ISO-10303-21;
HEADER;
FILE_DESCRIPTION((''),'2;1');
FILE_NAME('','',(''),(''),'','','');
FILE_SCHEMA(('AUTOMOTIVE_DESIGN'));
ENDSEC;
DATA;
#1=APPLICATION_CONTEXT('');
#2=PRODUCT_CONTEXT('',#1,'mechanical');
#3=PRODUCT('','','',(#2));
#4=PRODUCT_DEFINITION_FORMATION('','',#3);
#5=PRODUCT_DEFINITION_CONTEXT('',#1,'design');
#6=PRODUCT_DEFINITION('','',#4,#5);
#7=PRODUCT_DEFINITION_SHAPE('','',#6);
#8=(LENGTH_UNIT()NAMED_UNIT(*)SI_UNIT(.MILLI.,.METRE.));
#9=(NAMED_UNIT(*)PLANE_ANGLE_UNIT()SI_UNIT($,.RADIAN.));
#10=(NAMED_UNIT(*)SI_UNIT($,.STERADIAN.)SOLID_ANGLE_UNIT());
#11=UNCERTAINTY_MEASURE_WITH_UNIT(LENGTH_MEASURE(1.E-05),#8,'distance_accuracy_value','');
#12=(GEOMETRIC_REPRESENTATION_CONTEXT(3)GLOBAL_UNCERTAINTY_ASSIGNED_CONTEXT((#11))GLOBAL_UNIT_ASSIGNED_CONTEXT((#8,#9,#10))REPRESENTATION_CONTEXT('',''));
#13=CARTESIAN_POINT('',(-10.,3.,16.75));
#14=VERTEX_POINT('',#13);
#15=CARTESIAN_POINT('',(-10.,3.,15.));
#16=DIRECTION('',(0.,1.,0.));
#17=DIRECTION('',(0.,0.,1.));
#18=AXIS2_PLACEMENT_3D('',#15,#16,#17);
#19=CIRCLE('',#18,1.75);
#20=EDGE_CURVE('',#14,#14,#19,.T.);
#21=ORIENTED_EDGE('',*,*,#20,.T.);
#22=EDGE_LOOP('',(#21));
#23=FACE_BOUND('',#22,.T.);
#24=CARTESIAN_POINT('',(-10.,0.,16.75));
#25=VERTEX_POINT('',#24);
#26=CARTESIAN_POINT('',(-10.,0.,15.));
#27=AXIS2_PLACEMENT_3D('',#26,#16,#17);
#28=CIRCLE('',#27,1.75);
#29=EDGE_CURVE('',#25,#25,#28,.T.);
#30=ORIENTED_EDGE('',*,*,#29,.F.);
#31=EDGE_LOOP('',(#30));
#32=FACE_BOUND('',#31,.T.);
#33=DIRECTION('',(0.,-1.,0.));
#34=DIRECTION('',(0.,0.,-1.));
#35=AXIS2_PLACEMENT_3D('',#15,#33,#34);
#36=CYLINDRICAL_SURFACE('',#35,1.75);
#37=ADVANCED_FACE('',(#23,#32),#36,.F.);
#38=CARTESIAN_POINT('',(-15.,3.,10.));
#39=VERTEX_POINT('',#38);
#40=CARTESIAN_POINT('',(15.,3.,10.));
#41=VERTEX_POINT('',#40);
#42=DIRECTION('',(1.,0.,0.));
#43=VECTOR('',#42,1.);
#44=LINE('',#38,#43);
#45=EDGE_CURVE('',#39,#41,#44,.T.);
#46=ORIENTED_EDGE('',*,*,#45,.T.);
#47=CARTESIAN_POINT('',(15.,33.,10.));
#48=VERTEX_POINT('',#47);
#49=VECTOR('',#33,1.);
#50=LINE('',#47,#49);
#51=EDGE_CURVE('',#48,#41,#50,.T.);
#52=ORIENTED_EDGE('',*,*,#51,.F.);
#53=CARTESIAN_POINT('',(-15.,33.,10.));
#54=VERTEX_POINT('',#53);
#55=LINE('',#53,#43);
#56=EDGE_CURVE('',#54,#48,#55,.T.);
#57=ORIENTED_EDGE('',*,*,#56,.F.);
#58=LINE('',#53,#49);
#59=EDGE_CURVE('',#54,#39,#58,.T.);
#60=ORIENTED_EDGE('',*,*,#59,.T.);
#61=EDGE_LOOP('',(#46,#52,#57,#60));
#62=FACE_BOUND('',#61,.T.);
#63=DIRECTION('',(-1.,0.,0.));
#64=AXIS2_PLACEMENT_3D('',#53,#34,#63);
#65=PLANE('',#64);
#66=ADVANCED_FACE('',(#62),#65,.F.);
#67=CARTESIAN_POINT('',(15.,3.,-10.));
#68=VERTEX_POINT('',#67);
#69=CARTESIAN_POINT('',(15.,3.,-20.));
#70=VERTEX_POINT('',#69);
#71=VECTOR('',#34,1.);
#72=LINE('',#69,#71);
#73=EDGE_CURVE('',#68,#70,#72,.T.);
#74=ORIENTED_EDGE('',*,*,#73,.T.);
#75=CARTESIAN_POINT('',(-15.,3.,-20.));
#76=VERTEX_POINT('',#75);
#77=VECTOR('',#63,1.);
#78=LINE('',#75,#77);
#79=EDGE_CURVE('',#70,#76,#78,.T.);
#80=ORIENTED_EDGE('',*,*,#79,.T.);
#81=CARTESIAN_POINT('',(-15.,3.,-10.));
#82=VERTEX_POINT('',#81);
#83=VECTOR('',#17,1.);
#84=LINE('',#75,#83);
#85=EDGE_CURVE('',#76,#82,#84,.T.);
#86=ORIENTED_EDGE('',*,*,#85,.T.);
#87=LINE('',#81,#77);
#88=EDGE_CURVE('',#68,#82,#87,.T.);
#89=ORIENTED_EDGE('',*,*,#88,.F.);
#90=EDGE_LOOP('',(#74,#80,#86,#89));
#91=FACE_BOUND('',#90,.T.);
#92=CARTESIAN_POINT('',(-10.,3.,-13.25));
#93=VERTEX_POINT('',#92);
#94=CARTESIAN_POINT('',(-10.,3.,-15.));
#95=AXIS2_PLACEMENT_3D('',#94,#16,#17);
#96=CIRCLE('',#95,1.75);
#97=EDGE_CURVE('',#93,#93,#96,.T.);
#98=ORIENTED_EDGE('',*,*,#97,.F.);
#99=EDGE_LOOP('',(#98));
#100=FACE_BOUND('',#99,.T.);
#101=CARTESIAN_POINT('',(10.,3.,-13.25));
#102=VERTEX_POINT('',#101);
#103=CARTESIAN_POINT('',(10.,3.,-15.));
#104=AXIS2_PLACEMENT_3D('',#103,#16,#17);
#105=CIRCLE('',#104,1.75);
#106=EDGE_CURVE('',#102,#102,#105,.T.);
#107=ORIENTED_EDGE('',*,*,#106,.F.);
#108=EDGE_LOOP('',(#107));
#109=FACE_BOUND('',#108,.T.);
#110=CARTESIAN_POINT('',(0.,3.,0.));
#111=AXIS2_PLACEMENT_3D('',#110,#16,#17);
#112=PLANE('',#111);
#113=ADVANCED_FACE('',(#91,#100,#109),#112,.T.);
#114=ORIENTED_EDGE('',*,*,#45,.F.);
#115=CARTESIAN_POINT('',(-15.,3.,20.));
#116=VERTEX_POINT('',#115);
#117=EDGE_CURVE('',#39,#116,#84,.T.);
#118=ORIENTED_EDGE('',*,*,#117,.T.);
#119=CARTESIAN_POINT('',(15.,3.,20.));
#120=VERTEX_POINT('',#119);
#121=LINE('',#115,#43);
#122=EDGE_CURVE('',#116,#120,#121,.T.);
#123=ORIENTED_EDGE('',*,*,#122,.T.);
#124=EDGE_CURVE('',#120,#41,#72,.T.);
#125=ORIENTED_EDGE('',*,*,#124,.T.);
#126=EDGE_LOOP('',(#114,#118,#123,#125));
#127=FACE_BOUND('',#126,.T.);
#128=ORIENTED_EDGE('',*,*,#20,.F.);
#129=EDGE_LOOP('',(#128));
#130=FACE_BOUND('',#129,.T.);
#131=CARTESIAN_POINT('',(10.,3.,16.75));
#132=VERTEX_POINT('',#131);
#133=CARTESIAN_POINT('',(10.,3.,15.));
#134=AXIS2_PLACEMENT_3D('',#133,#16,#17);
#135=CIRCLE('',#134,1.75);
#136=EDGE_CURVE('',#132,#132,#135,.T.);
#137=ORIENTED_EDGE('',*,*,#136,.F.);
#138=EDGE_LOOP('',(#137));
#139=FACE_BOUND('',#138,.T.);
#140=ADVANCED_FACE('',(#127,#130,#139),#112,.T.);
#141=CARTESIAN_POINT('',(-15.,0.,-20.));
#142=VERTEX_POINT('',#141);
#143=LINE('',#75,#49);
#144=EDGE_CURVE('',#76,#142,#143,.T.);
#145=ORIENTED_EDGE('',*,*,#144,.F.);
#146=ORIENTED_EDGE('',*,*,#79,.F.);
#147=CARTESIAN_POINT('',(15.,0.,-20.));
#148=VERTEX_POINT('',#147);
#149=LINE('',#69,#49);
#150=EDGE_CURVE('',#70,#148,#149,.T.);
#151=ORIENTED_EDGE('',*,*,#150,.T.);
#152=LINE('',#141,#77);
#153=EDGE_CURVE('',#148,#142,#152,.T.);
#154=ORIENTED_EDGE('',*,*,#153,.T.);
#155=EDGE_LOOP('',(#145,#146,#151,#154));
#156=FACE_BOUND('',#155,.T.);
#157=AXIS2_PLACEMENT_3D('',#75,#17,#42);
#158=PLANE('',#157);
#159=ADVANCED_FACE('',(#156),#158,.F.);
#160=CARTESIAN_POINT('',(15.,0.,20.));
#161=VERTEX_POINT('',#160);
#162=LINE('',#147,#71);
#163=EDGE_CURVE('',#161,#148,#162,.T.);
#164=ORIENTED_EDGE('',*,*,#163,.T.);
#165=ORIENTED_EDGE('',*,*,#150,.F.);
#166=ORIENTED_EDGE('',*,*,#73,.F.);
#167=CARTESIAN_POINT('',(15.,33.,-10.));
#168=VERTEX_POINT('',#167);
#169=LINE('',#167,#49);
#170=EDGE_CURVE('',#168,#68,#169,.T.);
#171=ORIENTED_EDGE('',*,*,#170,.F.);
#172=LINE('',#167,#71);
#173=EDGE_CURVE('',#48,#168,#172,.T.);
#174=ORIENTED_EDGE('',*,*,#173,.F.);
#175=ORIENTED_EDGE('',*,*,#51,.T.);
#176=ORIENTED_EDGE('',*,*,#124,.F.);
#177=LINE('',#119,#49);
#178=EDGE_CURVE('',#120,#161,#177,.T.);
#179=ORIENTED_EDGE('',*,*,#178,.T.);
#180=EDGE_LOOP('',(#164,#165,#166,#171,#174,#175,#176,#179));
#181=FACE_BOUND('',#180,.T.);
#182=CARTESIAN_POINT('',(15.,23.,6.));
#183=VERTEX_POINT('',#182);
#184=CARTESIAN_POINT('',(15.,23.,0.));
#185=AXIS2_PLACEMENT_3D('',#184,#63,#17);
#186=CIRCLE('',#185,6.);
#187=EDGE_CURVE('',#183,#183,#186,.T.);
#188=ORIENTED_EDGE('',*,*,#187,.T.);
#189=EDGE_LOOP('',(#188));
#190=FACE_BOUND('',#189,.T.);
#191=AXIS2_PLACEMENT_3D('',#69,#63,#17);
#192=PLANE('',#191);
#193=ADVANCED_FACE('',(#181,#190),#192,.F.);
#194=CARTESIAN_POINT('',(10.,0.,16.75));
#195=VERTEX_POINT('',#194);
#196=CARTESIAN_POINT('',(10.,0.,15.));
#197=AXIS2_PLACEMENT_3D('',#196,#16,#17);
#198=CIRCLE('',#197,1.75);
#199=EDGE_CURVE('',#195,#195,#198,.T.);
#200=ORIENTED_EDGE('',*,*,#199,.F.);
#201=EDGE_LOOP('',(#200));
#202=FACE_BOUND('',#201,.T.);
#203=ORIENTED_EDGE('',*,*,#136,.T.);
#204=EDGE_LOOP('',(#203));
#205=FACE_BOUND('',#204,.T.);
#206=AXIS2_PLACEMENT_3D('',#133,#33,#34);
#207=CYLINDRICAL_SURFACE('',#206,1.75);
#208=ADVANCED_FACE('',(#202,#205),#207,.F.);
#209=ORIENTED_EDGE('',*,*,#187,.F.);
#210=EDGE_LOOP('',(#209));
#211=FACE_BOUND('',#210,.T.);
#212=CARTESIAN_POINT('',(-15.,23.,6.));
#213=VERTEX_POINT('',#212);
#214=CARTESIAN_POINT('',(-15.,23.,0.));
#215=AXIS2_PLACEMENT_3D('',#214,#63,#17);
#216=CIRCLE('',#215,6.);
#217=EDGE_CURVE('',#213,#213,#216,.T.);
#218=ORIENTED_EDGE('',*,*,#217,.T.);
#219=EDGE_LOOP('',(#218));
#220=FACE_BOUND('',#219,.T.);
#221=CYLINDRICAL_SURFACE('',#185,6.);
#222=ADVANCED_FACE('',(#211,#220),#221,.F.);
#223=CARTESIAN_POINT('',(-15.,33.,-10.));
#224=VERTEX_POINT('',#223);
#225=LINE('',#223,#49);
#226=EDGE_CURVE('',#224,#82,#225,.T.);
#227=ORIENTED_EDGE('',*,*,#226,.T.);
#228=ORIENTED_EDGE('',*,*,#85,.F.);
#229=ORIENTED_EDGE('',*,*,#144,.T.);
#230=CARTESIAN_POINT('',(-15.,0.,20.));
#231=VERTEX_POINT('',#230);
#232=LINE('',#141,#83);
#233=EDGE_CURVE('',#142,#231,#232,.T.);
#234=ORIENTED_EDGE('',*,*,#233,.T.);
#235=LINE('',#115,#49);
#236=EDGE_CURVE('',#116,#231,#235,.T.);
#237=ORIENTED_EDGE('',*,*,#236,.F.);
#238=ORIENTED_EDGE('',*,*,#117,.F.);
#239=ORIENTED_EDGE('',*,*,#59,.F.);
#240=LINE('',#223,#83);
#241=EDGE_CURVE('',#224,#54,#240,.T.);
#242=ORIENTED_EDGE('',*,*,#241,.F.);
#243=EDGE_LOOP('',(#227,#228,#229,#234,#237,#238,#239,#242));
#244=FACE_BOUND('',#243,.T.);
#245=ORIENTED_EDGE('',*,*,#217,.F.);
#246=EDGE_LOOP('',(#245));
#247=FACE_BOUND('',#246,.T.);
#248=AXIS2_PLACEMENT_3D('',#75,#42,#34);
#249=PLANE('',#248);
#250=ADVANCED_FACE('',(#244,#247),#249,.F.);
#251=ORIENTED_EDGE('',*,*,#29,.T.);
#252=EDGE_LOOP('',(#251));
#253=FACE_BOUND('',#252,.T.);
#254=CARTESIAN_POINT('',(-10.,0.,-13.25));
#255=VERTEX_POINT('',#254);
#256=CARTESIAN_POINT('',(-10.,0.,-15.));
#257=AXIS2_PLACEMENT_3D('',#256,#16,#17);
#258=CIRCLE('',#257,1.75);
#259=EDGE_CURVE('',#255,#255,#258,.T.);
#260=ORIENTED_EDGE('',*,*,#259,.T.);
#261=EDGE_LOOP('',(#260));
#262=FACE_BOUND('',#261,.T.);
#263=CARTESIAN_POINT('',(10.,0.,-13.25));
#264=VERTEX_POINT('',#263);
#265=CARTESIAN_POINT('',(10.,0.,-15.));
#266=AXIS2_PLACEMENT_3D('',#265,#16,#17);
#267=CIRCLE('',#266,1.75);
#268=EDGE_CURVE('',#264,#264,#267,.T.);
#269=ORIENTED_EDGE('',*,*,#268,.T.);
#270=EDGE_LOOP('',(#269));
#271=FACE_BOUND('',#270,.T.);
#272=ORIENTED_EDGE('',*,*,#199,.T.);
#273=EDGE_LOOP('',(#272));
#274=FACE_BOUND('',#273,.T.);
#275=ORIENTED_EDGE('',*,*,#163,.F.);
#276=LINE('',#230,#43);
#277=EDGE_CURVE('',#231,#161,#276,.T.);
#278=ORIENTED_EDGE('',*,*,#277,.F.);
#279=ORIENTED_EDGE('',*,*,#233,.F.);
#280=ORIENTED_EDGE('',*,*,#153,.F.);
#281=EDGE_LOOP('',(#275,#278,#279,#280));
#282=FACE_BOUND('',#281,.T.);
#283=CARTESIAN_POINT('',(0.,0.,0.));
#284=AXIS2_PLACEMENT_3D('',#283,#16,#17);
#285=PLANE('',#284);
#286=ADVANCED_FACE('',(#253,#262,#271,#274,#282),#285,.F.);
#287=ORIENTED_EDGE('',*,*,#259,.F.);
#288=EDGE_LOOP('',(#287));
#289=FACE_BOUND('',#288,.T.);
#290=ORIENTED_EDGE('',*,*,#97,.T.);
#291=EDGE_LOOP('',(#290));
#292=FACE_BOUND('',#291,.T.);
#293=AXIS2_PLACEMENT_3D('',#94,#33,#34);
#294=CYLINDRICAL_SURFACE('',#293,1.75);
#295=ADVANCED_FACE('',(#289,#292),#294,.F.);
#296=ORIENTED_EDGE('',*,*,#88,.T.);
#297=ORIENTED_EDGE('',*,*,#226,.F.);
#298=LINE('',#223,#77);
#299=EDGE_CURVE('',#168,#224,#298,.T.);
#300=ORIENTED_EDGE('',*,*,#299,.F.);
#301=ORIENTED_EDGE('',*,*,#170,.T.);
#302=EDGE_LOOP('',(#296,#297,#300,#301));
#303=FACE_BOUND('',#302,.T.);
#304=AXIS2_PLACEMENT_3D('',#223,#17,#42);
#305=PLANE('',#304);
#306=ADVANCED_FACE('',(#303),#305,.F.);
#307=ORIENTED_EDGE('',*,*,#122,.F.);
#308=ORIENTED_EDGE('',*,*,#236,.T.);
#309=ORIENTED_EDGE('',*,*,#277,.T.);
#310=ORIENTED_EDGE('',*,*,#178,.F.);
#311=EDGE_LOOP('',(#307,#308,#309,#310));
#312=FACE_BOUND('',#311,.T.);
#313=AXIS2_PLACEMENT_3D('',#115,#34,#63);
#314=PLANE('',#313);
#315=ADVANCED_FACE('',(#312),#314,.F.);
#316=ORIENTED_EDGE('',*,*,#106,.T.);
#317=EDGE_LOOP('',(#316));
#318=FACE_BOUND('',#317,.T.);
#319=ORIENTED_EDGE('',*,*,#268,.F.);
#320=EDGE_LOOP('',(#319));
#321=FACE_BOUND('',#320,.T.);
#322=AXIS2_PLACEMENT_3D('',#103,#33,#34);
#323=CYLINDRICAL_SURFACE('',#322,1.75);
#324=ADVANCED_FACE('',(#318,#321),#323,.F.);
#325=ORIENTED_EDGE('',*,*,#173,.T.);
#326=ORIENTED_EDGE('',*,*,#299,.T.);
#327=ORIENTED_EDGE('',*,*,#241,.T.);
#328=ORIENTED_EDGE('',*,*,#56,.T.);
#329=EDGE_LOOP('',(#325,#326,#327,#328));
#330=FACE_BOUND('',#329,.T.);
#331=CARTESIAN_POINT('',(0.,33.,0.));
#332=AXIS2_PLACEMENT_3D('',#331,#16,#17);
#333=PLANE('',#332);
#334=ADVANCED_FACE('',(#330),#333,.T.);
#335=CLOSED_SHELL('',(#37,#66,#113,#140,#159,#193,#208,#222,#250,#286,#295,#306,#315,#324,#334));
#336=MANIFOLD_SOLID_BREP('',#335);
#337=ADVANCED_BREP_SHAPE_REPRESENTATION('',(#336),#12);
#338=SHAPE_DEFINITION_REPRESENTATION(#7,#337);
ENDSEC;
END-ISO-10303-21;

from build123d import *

# Parameters (mm, degrees)
SKETCH1_W           = 30
SKETCH1_H           = 40
SKETCH1_R           = 1.75
BOSS_EXTRUDE2_DEPTH = 3
SKETCH2_W           = 30
SKETCH2_H           = 20
BOSS_EXTRUDE3_DEPTH = 30
SKETCH3_R           = 6
CUT_EXTRUDE1_DEPTH  = 30


with BuildPart() as part:
    # Sketch1 → Boss-Extrude2 (new body)
    with BuildSketch(Plane(origin=(0, 0, 0), x_dir=(1, 0, 0), z_dir=(0, 1, 0))):
        Rectangle(SKETCH1_W, SKETCH1_H)
        with Locations(Location((-10, 15, 0), (0, 0, 270))):
            Circle(SKETCH1_R, mode=Mode.SUBTRACT)
        with Locations(Location((10, 15, 0), (0, 0, 270))):
            Circle(SKETCH1_R, mode=Mode.SUBTRACT)
        with Locations(Location((10, -15, 0), (0, 0, 270))):
            Circle(SKETCH1_R, mode=Mode.SUBTRACT)
        with Locations(Location((-10, -15, 0), (0, 0, 270))):
            Circle(SKETCH1_R, mode=Mode.SUBTRACT)
    extrude(amount=BOSS_EXTRUDE2_DEPTH)

    # Sketch2 → Boss-Extrude3 (add)
    with BuildSketch(Plane(origin=(0, 3, 0), x_dir=(1, 0, 0), z_dir=(0, 1, 0))):
        Rectangle(SKETCH2_W, SKETCH2_H)
    extrude(amount=BOSS_EXTRUDE3_DEPTH)

    # Sketch3 → Cut-Extrude1 (cut)
    with BuildSketch(Plane.ZY.offset(15)):
        with Locations((0, 23)):
            Circle(SKETCH3_R)
    extrude(amount=-CUT_EXTRUDE1_DEPTH, mode=Mode.SUBTRACT)


solid = part.part
